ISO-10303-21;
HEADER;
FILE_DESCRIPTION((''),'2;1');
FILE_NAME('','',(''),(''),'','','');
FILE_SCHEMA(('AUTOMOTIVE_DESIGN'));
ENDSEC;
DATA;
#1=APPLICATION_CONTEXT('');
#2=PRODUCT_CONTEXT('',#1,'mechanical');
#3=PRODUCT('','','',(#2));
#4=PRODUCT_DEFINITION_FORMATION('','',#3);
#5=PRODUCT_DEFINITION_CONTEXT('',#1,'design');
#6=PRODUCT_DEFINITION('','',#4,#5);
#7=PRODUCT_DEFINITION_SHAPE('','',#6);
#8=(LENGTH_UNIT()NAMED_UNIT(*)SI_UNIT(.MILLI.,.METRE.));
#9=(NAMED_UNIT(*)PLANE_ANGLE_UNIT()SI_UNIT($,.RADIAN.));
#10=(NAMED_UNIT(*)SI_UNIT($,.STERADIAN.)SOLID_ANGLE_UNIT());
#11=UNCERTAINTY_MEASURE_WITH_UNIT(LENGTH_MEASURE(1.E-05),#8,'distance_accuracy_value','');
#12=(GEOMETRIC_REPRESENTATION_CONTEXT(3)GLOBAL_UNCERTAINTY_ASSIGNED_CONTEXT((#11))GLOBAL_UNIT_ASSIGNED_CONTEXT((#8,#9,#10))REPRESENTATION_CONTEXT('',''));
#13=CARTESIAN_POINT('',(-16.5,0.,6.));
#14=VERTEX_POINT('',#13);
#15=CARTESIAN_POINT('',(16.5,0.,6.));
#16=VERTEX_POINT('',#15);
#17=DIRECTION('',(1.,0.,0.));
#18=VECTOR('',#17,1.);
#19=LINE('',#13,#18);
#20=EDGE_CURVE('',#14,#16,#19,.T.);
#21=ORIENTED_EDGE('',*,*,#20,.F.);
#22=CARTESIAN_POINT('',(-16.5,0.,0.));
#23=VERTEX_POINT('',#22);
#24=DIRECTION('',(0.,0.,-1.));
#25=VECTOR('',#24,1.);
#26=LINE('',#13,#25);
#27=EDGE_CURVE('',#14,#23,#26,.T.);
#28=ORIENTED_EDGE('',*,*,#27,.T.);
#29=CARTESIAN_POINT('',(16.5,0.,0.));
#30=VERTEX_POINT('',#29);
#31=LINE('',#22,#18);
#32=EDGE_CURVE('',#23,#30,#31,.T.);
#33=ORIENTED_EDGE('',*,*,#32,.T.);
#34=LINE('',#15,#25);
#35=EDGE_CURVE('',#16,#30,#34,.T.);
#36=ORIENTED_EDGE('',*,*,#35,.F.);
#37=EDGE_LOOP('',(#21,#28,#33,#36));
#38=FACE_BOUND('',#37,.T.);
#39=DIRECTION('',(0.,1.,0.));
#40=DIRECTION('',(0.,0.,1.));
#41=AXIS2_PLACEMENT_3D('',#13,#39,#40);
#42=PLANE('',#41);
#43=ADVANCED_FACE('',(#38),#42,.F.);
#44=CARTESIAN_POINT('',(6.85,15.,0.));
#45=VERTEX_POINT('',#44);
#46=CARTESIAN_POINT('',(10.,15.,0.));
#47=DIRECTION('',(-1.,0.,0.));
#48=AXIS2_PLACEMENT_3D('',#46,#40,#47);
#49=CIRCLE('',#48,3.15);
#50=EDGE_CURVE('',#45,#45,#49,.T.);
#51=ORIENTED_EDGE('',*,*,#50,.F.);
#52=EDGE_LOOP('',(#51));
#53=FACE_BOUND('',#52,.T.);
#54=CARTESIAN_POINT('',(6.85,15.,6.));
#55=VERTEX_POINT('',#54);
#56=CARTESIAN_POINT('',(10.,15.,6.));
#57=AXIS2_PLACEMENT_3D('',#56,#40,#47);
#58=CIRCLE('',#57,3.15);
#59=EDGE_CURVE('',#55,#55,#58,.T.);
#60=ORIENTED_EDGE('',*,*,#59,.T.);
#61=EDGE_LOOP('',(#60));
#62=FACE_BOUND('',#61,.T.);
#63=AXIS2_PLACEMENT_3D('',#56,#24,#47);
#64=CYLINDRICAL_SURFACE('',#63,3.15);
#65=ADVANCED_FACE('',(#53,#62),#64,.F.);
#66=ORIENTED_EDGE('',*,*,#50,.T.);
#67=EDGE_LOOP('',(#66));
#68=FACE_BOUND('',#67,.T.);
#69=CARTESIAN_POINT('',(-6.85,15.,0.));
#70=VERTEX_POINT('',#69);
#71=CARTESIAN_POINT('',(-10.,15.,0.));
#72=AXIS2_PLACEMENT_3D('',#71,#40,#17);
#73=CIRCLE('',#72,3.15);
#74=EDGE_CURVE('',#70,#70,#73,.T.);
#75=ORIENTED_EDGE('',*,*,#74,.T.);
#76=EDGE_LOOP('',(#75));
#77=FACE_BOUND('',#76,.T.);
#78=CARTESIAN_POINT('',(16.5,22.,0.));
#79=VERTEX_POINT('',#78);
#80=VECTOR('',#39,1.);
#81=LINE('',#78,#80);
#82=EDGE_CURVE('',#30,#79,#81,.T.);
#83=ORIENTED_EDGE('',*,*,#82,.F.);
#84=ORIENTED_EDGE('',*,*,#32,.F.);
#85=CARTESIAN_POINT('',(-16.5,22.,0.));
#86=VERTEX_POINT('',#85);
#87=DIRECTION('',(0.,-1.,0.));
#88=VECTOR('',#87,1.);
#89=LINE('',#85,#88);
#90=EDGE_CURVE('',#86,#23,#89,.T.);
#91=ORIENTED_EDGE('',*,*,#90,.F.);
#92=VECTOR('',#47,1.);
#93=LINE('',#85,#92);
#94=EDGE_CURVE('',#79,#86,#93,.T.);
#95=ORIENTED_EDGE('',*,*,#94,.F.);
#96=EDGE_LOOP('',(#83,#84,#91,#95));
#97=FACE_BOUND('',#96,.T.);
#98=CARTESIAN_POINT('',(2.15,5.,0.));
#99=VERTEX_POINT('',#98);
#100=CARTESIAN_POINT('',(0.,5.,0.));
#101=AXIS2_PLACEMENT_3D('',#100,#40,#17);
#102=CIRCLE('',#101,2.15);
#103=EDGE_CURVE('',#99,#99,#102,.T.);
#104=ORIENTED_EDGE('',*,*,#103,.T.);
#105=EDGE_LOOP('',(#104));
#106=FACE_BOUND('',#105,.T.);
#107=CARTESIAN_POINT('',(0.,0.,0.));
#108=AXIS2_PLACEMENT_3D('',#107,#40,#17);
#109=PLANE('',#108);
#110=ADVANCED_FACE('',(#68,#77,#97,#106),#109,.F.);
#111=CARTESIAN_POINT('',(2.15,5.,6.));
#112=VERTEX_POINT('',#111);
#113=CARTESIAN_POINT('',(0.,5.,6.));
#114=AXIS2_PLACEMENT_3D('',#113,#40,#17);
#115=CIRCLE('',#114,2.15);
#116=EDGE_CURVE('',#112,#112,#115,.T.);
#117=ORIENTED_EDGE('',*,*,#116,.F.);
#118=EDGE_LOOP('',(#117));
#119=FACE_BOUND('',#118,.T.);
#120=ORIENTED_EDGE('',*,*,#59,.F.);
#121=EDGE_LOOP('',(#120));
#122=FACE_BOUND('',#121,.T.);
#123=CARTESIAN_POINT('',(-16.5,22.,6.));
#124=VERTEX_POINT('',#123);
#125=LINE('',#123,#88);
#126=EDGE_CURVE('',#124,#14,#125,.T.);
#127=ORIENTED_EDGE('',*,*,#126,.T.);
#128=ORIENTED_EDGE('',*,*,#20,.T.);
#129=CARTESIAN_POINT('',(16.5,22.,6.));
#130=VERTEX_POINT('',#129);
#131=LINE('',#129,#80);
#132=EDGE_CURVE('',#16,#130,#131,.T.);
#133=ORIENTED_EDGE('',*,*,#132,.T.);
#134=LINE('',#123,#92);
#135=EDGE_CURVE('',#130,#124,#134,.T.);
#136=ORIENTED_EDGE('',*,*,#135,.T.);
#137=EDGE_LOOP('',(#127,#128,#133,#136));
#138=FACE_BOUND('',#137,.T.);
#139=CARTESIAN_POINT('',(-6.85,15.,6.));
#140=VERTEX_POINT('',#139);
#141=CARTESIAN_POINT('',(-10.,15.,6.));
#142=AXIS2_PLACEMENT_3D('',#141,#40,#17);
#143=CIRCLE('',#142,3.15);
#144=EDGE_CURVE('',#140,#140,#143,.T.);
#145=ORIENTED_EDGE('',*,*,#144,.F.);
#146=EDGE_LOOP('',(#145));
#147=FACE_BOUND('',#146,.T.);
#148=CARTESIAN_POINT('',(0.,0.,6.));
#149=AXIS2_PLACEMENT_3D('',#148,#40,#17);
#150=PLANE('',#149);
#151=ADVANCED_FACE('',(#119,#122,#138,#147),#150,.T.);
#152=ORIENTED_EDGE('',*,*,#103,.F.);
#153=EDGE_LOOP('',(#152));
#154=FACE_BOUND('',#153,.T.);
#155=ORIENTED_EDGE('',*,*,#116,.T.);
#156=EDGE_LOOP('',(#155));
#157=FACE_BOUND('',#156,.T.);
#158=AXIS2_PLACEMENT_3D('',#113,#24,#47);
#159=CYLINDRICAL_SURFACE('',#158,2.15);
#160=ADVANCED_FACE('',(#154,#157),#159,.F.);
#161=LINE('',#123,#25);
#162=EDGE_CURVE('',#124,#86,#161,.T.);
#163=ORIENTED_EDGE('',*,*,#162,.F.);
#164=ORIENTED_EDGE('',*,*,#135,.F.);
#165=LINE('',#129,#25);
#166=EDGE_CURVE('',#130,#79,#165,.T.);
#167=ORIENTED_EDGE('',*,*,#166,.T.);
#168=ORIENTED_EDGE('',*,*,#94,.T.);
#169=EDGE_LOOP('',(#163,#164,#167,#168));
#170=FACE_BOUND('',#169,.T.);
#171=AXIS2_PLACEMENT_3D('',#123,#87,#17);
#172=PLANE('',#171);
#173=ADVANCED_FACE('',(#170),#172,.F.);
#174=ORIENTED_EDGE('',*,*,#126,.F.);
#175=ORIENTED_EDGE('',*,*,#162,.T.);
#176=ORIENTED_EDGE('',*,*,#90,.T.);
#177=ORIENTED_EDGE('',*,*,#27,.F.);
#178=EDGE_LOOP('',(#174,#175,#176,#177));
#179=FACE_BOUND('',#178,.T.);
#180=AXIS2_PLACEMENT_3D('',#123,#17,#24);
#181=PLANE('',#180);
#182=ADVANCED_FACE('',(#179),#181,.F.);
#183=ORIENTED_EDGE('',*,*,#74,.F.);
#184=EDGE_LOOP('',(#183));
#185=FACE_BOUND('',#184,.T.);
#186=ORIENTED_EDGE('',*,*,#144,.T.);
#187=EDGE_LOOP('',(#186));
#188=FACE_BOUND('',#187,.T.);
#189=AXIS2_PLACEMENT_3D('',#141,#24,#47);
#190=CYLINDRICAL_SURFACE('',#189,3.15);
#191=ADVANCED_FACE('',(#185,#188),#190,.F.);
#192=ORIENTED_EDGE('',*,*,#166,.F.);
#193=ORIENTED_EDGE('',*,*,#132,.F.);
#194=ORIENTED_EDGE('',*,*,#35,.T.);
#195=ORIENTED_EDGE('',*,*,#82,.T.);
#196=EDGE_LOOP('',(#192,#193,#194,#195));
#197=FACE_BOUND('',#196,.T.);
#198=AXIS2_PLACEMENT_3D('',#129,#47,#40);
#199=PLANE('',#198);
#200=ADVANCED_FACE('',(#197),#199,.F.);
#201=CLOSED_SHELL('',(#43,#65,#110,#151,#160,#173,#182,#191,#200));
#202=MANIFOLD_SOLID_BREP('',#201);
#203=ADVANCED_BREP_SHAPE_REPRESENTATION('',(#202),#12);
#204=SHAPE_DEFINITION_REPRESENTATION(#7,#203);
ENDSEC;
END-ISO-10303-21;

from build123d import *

# Parameters (mm, degrees)
SKETCH_1_W          = 33
SKETCH_1_H          = 22
EXTRUDE_1_DEPTH     = 6
SKETCH_2_R          = 3.15
SKETCH_2_R_2        = 2.15
CUT_EXTRUDE_1_DEPTH = 6


with BuildPart() as part:
    # 草图1 → 凸台-拉伸1 (new body)
    with BuildSketch(Plane.XY):
        with Locations((0, 11)):
            Rectangle(SKETCH_1_W, SKETCH_1_H)
    extrude(amount=EXTRUDE_1_DEPTH)

    # 草图2 → 切除-拉伸1 (cut)
    with BuildSketch(Plane.XY):
        with Locations((-10, 15)):
            Circle(SKETCH_2_R)
        with Locations((0, 5)):
            Circle(SKETCH_2_R_2)
        with Locations(Location((10, 15, 0), (0, 0, 180))):
            Circle(SKETCH_2_R)
    extrude(amount=CUT_EXTRUDE_1_DEPTH, mode=Mode.SUBTRACT)


solid = part.part
